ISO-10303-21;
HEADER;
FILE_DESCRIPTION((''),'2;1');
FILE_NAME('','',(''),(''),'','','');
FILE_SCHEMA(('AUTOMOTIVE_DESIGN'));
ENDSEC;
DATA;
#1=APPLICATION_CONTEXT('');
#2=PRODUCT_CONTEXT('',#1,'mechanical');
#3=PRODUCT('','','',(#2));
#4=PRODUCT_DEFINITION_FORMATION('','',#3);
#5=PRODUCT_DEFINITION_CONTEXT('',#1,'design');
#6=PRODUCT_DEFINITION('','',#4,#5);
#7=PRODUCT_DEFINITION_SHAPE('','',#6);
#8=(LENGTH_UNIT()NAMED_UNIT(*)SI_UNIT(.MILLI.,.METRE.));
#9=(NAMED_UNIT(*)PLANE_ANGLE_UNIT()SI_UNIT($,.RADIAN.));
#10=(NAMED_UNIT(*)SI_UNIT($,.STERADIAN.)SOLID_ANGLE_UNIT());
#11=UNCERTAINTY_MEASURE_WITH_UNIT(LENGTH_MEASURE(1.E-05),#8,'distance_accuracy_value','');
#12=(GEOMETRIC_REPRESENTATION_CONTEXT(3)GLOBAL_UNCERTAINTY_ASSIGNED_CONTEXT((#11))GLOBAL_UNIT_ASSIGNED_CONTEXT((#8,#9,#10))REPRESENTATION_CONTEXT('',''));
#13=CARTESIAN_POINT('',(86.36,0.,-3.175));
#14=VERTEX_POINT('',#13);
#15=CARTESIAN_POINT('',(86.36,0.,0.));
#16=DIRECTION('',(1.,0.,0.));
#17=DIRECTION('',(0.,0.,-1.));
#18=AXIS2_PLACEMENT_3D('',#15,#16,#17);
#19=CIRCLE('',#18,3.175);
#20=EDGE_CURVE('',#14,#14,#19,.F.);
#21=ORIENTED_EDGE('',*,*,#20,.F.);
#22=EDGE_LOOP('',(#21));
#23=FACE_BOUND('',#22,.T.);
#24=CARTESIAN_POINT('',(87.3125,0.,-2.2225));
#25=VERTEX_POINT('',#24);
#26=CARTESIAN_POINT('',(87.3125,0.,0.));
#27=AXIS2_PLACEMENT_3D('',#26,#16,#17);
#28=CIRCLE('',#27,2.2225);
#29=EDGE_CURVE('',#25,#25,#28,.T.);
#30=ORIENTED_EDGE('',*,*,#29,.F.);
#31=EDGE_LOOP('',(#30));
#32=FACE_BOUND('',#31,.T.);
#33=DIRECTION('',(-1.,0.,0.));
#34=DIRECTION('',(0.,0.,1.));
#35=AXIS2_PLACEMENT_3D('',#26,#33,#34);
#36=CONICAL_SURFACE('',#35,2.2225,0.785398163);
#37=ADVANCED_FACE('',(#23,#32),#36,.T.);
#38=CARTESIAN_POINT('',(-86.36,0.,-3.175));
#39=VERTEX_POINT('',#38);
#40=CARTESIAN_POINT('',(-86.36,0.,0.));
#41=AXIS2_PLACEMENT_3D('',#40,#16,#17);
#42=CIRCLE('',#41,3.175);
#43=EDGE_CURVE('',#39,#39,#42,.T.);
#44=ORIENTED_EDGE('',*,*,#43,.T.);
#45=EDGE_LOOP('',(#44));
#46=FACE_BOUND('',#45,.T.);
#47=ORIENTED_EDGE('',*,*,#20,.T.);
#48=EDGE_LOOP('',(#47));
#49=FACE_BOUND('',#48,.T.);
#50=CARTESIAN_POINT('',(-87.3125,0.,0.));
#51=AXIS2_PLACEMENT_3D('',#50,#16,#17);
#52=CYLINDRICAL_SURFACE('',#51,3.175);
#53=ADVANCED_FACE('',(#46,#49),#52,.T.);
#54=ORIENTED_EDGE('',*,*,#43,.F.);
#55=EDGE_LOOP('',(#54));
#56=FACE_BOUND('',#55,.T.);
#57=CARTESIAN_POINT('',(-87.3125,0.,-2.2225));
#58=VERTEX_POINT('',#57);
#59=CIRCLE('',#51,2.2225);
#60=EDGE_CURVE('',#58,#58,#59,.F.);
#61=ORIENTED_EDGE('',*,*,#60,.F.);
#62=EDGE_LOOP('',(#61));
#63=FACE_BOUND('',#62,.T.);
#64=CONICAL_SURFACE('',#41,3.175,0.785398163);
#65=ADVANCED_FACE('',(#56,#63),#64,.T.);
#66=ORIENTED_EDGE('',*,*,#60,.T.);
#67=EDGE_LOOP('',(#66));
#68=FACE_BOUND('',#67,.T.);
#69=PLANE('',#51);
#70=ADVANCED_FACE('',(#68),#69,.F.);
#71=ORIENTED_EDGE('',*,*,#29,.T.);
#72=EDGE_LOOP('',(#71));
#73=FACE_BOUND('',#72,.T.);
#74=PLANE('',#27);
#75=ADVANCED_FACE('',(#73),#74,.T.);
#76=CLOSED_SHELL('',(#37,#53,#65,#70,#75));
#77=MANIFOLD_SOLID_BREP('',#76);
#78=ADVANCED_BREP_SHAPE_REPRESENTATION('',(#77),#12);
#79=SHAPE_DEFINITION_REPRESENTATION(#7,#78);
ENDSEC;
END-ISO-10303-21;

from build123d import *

# Parameters (mm, degrees)
SKETCH2_R                = 3.175
BOSS_EXTRUDE1_DEPTH      = 87.3125
BOSS_EXTRUDE1_DEPTH_BACK = 87.3125
CHAMFER1_SIZE            = 0.9525


with BuildPart() as part:
    # Sketch2 → Boss-Extrude1 (new body, two sides)
    with BuildSketch(Plane(origin=(0, 0, 0), x_dir=(0, 0, -1), z_dir=(1, 0, 0))) as boss_extrude1_sk:
        Circle(SKETCH2_R)
    extrude(amount=BOSS_EXTRUDE1_DEPTH)
    extrude(boss_extrude1_sk.sketch, amount=-BOSS_EXTRUDE1_DEPTH_BACK)

    # Chamfer1
    chamfer1_edges = [part.edges().sort_by_distance(p)[0] for p in [
        (-87.3125, 0, 3.175),
        (87.3125, 0, 3.175),
    ]]
    chamfer(chamfer1_edges, length=CHAMFER1_SIZE)


solid = part.part
